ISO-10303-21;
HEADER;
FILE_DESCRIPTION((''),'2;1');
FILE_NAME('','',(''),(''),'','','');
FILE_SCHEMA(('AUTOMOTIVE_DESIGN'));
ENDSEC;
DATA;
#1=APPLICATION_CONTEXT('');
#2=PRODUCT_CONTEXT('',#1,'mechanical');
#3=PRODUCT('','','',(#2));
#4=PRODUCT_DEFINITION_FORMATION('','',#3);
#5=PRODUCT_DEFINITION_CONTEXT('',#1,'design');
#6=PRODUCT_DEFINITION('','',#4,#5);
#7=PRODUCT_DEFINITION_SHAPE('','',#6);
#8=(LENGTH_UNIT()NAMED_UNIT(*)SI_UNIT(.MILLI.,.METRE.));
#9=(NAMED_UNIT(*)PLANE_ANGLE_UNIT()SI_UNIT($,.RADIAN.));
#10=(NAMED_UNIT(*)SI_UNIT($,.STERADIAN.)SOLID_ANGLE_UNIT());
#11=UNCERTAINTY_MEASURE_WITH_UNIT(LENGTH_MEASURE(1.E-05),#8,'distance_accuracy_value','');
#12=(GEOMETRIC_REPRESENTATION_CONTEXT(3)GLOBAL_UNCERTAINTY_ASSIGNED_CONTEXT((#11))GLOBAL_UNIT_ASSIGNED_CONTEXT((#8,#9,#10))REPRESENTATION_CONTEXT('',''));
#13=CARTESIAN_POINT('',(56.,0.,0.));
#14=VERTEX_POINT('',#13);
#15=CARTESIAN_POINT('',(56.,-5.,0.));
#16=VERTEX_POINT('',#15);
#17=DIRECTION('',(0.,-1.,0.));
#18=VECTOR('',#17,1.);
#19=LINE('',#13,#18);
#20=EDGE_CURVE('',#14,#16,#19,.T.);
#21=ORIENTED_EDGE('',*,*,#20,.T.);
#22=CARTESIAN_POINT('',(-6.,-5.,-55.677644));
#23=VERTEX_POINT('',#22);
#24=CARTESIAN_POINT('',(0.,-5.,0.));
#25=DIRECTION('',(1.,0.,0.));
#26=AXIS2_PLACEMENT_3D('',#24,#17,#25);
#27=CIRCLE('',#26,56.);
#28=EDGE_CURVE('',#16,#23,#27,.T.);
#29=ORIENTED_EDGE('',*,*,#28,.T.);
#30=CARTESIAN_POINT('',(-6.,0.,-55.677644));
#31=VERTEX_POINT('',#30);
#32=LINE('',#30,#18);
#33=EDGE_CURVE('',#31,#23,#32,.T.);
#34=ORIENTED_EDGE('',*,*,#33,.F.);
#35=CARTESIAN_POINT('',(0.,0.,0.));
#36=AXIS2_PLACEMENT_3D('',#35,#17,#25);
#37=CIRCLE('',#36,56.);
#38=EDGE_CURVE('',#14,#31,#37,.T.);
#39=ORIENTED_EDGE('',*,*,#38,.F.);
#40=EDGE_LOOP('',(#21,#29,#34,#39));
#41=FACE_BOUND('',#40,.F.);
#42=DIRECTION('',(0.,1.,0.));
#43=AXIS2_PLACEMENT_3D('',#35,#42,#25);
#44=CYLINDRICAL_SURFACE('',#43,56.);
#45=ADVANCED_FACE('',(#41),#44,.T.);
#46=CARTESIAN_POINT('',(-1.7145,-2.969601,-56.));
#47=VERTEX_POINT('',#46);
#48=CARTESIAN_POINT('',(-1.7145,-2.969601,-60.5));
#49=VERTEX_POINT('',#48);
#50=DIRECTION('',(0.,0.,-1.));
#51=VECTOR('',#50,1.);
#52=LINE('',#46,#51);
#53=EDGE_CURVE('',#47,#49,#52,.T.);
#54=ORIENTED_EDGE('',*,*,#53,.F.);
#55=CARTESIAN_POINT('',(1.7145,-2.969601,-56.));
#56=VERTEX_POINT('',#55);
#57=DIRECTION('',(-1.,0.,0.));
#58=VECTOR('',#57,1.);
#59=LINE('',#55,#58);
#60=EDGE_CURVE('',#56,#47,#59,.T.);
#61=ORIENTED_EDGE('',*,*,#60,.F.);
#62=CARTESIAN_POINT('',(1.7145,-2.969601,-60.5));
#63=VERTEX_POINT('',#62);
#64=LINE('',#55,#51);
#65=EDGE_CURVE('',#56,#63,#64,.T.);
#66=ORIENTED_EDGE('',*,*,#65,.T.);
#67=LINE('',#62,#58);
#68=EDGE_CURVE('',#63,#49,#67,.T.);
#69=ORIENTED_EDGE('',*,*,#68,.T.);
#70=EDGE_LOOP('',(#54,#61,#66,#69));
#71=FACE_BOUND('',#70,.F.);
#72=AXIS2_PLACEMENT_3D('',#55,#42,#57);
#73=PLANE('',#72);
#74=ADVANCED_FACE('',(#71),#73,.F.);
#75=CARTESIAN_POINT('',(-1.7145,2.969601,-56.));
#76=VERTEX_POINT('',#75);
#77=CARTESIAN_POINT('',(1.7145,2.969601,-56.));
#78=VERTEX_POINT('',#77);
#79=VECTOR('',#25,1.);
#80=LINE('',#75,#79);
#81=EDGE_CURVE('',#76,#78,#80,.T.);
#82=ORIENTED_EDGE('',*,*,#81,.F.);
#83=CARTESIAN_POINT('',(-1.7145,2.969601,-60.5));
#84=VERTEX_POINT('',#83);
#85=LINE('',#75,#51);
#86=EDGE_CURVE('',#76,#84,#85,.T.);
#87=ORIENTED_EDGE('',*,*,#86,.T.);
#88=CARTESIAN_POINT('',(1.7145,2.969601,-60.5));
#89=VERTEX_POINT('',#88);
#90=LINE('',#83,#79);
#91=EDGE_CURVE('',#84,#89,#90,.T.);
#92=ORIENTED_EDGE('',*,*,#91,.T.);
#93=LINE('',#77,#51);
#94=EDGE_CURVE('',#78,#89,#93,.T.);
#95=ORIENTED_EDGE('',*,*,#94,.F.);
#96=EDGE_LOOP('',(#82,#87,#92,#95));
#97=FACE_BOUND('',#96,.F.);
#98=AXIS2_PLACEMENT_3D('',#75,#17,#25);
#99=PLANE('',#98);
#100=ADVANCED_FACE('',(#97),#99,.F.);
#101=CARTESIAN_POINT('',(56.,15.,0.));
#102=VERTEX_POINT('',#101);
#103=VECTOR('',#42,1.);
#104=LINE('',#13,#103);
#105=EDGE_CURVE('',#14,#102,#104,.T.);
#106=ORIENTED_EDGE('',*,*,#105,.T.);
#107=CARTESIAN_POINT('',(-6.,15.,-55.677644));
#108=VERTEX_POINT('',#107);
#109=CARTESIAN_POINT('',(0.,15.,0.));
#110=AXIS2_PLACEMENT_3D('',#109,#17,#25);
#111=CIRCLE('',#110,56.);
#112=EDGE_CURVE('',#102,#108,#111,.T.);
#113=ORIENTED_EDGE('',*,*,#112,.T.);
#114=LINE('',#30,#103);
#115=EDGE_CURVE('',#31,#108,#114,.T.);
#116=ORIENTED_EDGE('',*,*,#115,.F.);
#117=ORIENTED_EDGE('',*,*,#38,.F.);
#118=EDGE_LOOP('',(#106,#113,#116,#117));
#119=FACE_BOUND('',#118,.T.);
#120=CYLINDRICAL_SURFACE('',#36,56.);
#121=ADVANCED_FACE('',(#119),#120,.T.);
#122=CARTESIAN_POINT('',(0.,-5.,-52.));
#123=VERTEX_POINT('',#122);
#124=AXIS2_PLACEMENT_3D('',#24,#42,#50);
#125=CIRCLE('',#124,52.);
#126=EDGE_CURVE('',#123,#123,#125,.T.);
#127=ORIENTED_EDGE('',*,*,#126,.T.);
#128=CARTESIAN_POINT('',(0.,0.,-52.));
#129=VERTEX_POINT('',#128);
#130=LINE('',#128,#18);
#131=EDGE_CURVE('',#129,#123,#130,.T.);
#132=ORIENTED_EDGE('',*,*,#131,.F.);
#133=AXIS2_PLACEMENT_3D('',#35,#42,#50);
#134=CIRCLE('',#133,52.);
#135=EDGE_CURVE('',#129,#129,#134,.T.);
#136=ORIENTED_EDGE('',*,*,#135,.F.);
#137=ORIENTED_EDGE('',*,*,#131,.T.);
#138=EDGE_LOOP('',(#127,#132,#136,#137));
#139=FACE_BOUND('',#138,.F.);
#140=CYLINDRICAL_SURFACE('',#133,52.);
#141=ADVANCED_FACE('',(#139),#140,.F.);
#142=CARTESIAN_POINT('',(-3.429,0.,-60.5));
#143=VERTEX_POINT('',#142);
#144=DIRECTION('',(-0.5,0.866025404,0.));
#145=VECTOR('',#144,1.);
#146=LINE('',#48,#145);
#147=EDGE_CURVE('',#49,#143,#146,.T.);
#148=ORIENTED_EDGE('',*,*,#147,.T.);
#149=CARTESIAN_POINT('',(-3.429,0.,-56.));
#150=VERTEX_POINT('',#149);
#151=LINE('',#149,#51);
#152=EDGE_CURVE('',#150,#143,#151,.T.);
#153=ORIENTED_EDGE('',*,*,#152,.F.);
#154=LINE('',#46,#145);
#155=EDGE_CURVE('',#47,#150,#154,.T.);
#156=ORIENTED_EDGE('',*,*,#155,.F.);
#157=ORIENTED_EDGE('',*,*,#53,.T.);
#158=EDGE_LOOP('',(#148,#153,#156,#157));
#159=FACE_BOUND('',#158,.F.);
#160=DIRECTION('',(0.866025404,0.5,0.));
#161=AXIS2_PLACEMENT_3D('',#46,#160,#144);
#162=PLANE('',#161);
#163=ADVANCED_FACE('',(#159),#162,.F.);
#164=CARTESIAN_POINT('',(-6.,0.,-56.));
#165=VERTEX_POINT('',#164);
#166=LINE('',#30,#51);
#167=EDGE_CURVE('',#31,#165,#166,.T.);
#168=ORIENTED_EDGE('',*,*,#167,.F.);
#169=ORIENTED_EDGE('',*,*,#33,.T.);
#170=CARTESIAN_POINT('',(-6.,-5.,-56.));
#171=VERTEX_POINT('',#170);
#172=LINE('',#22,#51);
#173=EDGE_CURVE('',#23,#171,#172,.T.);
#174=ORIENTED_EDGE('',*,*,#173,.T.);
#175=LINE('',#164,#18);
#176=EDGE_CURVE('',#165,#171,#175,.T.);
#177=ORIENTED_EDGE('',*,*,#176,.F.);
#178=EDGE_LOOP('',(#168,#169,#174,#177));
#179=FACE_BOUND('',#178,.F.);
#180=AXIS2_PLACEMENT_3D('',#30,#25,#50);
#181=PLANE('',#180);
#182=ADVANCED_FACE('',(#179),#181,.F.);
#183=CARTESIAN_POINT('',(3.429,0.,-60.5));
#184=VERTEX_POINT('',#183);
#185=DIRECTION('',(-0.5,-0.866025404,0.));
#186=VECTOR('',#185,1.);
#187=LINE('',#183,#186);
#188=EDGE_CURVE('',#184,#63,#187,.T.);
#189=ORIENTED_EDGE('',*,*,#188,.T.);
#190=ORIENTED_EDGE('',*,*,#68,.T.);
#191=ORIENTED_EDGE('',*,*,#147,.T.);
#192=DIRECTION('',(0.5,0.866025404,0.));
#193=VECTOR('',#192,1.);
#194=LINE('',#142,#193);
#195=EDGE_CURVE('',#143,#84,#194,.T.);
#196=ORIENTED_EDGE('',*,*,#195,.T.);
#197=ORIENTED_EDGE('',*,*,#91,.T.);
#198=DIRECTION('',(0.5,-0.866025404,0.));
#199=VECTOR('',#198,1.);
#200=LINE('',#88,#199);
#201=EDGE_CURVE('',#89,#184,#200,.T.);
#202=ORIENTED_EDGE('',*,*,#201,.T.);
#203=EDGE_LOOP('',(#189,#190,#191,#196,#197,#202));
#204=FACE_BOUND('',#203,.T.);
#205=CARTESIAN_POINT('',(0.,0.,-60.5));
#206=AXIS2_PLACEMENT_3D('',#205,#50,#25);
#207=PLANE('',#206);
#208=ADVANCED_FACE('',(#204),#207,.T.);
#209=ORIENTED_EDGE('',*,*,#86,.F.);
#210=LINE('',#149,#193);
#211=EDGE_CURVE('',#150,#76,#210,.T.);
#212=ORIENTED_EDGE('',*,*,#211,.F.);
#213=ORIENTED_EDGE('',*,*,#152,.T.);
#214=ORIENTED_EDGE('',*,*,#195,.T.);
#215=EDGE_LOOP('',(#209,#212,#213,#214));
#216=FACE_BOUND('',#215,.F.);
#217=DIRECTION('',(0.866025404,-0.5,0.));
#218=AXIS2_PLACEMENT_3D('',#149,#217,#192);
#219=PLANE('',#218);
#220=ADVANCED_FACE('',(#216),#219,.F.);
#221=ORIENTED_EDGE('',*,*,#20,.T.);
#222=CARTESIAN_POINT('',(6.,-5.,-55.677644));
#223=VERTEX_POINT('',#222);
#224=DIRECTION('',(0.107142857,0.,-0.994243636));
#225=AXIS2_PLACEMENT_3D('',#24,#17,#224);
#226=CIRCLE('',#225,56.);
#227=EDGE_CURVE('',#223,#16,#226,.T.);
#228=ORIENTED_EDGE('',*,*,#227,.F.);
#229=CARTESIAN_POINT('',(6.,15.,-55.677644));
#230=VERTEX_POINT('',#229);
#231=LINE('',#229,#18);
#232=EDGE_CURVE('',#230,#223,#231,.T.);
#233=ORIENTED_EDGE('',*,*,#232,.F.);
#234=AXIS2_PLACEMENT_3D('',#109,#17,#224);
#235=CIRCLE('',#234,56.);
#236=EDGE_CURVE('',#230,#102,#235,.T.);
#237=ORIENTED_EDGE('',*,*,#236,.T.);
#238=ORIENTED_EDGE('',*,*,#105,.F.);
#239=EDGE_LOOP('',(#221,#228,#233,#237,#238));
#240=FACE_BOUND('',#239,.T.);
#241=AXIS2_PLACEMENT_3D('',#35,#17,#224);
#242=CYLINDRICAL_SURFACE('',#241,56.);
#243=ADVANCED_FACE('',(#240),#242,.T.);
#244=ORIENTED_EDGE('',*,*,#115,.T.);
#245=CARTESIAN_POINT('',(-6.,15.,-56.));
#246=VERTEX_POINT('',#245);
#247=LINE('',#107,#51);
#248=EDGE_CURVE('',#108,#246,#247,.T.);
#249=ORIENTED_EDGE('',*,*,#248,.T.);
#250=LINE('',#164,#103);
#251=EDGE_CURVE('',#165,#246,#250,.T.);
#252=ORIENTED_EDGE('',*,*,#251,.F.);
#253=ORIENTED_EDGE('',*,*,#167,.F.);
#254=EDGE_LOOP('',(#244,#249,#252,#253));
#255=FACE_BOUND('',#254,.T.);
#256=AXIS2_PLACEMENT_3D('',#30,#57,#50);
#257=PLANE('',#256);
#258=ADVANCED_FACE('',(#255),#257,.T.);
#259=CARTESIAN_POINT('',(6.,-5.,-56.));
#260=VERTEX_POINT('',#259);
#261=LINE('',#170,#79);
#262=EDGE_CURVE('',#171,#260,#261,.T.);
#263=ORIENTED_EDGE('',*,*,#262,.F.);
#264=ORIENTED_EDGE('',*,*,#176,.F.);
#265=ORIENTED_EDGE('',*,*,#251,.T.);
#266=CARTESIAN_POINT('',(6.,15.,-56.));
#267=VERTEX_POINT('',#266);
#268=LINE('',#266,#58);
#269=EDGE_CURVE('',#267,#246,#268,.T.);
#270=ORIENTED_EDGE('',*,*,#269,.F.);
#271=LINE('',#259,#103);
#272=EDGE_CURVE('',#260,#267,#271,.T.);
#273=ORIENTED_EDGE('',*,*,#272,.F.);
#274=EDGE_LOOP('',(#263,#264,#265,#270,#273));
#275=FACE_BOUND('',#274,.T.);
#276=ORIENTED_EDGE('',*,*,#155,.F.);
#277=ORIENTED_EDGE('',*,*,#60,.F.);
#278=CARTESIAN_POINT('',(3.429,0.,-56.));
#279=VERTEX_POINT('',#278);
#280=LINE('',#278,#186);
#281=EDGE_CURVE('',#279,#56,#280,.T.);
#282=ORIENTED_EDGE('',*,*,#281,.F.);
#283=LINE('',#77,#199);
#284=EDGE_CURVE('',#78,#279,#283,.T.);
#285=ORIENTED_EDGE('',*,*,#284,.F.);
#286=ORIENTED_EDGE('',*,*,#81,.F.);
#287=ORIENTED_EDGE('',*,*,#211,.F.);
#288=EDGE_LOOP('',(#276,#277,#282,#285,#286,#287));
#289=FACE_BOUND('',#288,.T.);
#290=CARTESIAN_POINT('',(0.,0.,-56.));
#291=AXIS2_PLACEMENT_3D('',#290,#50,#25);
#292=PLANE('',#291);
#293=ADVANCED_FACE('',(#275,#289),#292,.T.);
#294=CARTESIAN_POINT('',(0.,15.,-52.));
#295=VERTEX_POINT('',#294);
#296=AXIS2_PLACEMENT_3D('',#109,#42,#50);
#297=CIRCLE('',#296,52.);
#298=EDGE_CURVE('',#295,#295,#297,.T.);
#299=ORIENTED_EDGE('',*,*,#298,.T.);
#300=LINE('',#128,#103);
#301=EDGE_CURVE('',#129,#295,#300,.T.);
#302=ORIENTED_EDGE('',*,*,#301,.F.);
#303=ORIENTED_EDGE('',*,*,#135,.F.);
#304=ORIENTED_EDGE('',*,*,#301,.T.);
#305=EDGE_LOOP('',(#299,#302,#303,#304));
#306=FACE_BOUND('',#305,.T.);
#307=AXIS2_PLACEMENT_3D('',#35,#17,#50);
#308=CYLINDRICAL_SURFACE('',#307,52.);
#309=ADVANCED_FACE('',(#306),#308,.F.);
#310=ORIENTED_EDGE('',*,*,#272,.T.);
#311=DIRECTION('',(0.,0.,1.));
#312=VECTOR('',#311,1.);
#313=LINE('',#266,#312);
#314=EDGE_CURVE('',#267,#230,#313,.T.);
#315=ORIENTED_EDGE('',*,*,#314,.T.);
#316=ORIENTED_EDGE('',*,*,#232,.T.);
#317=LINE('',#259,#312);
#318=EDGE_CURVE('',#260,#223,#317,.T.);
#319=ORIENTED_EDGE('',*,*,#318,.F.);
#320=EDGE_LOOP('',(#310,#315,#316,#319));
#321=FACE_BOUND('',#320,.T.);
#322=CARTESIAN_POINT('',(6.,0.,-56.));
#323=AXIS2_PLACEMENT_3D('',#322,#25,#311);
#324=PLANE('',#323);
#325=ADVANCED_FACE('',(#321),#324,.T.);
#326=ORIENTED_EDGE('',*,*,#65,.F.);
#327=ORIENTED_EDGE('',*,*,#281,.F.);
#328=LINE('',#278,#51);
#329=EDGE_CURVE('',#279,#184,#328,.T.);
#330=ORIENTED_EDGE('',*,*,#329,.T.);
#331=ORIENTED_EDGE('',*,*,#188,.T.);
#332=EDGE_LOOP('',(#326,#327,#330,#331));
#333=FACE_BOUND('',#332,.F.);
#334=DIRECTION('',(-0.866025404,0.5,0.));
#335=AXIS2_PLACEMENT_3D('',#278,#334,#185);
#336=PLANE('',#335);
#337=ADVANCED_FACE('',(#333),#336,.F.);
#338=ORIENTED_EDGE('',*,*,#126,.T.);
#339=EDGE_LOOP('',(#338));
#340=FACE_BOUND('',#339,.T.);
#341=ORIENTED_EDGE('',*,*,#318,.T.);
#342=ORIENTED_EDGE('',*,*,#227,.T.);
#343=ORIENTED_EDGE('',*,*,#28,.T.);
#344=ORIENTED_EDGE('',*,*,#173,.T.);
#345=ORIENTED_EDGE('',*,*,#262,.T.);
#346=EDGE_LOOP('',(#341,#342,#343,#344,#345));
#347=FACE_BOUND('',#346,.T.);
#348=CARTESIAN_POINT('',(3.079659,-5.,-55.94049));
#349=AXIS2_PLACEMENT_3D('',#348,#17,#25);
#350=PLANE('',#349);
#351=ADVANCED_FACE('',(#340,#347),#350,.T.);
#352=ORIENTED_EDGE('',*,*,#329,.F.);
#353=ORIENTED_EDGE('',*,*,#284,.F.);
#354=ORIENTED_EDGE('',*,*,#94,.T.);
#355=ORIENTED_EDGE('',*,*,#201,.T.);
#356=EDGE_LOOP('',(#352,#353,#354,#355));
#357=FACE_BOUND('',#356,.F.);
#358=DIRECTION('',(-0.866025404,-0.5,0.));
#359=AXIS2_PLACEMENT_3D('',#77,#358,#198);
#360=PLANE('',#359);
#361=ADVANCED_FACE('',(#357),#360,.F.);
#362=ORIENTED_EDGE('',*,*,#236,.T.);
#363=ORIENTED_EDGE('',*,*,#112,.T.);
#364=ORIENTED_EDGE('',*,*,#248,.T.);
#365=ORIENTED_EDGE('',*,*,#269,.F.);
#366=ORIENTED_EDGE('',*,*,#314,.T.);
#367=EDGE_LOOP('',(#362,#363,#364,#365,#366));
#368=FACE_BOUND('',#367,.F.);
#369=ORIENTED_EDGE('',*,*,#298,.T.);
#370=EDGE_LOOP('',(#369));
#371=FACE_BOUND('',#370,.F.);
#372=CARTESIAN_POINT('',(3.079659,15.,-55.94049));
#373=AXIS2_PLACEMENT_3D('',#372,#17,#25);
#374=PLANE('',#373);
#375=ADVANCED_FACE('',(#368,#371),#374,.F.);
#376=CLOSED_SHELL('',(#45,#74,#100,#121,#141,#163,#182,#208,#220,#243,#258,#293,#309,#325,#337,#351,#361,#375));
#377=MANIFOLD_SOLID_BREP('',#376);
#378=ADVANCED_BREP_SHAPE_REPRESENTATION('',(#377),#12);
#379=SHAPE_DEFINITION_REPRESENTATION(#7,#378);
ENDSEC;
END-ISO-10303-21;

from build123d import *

# Parameters (mm, degrees)
F1_DEPTH      = 15
F1_DEPTH_BACK = 5
F2_DEPTH      = 5
F2_DEPTH_BACK = 15
F4_DEPTH      = 4.5


with BuildPart() as f1:
    # F0 (on Front) → F1 (new body, two sides)
    with BuildSketch(Plane.XZ) as f1_sk:
        with BuildLine():
            Line((-6, -52), (0, -52))
            Line((0, -52), (6, -52))
            Line((6, -52), (6, -55.6776436283))
            ThreePointArc((6, -55.6776436283), (41.665333312, -37.4165738677), (56, 0))
            ThreePointArc((56, 0), (-37.4165738677, 41.665333312), (-6, -55.6776436283))
            Line((-6, -55.6776436283), (-6, -52))
        make_face()
        with BuildLine():
            ThreePointArc((0, -52), (-36.7695526217, 36.7695526217), (52, 0))
            ThreePointArc((52, 0), (36.7695526217, -36.7695526217), (0, -52))
        make_face(mode=Mode.SUBTRACT)
        with BuildLine():
            Line((6, -52), (0, -52))
            Line((0, -52), (-6, -52))
            Line((-6, -52), (-6, -55.6776436283))
            ThreePointArc((-6, -55.6776436283), (-3.0043266147, -55.919352836), (0, -56))
            ThreePointArc((0, -56), (3.0043266147, -55.919352836), (6, -55.6776436283))
            Line((6, -55.6776436283), (6, -52))
        make_face()
    extrude(amount=-F1_DEPTH)
    extrude(f1_sk.sketch, amount=F1_DEPTH_BACK)

    # F0 (on Front) → F2 (join, two sides)
    with BuildSketch(Plane.XZ) as f2_sk:
        with BuildLine():
            Line((6, -56), (6, -55.6776436283))
            ThreePointArc((6, -55.6776436283), (3.0043266147, -55.919352836), (0, -56))
            Line((0, -56), (6, -56))
        make_face()
        with BuildLine():
            ThreePointArc((0, -56), (-3.0043266147, -55.919352836), (-6, -55.6776436283))
            Line((-6, -55.6776436283), (-6, -56))
            Line((-6, -56), (0, -56))
        make_face()
    extrude(amount=F2_DEPTH)
    extrude(f2_sk.sketch, amount=-F2_DEPTH_BACK)

    # F3 (on face) → F4 (join)
    with BuildSketch(Plane(origin=(0, 0, -56), x_dir=(1, 0, 0), z_dir=(0, 0, -1))):
        Polygon((-1.7145, 2.9696011096), (-3.429, 0), (-1.7145, -2.9696011096), (1.7145, -2.9696011096), (3.429, 0), (1.7145, 2.9696011096), align=None)
    extrude(amount=F4_DEPTH)


solid = f1.part
